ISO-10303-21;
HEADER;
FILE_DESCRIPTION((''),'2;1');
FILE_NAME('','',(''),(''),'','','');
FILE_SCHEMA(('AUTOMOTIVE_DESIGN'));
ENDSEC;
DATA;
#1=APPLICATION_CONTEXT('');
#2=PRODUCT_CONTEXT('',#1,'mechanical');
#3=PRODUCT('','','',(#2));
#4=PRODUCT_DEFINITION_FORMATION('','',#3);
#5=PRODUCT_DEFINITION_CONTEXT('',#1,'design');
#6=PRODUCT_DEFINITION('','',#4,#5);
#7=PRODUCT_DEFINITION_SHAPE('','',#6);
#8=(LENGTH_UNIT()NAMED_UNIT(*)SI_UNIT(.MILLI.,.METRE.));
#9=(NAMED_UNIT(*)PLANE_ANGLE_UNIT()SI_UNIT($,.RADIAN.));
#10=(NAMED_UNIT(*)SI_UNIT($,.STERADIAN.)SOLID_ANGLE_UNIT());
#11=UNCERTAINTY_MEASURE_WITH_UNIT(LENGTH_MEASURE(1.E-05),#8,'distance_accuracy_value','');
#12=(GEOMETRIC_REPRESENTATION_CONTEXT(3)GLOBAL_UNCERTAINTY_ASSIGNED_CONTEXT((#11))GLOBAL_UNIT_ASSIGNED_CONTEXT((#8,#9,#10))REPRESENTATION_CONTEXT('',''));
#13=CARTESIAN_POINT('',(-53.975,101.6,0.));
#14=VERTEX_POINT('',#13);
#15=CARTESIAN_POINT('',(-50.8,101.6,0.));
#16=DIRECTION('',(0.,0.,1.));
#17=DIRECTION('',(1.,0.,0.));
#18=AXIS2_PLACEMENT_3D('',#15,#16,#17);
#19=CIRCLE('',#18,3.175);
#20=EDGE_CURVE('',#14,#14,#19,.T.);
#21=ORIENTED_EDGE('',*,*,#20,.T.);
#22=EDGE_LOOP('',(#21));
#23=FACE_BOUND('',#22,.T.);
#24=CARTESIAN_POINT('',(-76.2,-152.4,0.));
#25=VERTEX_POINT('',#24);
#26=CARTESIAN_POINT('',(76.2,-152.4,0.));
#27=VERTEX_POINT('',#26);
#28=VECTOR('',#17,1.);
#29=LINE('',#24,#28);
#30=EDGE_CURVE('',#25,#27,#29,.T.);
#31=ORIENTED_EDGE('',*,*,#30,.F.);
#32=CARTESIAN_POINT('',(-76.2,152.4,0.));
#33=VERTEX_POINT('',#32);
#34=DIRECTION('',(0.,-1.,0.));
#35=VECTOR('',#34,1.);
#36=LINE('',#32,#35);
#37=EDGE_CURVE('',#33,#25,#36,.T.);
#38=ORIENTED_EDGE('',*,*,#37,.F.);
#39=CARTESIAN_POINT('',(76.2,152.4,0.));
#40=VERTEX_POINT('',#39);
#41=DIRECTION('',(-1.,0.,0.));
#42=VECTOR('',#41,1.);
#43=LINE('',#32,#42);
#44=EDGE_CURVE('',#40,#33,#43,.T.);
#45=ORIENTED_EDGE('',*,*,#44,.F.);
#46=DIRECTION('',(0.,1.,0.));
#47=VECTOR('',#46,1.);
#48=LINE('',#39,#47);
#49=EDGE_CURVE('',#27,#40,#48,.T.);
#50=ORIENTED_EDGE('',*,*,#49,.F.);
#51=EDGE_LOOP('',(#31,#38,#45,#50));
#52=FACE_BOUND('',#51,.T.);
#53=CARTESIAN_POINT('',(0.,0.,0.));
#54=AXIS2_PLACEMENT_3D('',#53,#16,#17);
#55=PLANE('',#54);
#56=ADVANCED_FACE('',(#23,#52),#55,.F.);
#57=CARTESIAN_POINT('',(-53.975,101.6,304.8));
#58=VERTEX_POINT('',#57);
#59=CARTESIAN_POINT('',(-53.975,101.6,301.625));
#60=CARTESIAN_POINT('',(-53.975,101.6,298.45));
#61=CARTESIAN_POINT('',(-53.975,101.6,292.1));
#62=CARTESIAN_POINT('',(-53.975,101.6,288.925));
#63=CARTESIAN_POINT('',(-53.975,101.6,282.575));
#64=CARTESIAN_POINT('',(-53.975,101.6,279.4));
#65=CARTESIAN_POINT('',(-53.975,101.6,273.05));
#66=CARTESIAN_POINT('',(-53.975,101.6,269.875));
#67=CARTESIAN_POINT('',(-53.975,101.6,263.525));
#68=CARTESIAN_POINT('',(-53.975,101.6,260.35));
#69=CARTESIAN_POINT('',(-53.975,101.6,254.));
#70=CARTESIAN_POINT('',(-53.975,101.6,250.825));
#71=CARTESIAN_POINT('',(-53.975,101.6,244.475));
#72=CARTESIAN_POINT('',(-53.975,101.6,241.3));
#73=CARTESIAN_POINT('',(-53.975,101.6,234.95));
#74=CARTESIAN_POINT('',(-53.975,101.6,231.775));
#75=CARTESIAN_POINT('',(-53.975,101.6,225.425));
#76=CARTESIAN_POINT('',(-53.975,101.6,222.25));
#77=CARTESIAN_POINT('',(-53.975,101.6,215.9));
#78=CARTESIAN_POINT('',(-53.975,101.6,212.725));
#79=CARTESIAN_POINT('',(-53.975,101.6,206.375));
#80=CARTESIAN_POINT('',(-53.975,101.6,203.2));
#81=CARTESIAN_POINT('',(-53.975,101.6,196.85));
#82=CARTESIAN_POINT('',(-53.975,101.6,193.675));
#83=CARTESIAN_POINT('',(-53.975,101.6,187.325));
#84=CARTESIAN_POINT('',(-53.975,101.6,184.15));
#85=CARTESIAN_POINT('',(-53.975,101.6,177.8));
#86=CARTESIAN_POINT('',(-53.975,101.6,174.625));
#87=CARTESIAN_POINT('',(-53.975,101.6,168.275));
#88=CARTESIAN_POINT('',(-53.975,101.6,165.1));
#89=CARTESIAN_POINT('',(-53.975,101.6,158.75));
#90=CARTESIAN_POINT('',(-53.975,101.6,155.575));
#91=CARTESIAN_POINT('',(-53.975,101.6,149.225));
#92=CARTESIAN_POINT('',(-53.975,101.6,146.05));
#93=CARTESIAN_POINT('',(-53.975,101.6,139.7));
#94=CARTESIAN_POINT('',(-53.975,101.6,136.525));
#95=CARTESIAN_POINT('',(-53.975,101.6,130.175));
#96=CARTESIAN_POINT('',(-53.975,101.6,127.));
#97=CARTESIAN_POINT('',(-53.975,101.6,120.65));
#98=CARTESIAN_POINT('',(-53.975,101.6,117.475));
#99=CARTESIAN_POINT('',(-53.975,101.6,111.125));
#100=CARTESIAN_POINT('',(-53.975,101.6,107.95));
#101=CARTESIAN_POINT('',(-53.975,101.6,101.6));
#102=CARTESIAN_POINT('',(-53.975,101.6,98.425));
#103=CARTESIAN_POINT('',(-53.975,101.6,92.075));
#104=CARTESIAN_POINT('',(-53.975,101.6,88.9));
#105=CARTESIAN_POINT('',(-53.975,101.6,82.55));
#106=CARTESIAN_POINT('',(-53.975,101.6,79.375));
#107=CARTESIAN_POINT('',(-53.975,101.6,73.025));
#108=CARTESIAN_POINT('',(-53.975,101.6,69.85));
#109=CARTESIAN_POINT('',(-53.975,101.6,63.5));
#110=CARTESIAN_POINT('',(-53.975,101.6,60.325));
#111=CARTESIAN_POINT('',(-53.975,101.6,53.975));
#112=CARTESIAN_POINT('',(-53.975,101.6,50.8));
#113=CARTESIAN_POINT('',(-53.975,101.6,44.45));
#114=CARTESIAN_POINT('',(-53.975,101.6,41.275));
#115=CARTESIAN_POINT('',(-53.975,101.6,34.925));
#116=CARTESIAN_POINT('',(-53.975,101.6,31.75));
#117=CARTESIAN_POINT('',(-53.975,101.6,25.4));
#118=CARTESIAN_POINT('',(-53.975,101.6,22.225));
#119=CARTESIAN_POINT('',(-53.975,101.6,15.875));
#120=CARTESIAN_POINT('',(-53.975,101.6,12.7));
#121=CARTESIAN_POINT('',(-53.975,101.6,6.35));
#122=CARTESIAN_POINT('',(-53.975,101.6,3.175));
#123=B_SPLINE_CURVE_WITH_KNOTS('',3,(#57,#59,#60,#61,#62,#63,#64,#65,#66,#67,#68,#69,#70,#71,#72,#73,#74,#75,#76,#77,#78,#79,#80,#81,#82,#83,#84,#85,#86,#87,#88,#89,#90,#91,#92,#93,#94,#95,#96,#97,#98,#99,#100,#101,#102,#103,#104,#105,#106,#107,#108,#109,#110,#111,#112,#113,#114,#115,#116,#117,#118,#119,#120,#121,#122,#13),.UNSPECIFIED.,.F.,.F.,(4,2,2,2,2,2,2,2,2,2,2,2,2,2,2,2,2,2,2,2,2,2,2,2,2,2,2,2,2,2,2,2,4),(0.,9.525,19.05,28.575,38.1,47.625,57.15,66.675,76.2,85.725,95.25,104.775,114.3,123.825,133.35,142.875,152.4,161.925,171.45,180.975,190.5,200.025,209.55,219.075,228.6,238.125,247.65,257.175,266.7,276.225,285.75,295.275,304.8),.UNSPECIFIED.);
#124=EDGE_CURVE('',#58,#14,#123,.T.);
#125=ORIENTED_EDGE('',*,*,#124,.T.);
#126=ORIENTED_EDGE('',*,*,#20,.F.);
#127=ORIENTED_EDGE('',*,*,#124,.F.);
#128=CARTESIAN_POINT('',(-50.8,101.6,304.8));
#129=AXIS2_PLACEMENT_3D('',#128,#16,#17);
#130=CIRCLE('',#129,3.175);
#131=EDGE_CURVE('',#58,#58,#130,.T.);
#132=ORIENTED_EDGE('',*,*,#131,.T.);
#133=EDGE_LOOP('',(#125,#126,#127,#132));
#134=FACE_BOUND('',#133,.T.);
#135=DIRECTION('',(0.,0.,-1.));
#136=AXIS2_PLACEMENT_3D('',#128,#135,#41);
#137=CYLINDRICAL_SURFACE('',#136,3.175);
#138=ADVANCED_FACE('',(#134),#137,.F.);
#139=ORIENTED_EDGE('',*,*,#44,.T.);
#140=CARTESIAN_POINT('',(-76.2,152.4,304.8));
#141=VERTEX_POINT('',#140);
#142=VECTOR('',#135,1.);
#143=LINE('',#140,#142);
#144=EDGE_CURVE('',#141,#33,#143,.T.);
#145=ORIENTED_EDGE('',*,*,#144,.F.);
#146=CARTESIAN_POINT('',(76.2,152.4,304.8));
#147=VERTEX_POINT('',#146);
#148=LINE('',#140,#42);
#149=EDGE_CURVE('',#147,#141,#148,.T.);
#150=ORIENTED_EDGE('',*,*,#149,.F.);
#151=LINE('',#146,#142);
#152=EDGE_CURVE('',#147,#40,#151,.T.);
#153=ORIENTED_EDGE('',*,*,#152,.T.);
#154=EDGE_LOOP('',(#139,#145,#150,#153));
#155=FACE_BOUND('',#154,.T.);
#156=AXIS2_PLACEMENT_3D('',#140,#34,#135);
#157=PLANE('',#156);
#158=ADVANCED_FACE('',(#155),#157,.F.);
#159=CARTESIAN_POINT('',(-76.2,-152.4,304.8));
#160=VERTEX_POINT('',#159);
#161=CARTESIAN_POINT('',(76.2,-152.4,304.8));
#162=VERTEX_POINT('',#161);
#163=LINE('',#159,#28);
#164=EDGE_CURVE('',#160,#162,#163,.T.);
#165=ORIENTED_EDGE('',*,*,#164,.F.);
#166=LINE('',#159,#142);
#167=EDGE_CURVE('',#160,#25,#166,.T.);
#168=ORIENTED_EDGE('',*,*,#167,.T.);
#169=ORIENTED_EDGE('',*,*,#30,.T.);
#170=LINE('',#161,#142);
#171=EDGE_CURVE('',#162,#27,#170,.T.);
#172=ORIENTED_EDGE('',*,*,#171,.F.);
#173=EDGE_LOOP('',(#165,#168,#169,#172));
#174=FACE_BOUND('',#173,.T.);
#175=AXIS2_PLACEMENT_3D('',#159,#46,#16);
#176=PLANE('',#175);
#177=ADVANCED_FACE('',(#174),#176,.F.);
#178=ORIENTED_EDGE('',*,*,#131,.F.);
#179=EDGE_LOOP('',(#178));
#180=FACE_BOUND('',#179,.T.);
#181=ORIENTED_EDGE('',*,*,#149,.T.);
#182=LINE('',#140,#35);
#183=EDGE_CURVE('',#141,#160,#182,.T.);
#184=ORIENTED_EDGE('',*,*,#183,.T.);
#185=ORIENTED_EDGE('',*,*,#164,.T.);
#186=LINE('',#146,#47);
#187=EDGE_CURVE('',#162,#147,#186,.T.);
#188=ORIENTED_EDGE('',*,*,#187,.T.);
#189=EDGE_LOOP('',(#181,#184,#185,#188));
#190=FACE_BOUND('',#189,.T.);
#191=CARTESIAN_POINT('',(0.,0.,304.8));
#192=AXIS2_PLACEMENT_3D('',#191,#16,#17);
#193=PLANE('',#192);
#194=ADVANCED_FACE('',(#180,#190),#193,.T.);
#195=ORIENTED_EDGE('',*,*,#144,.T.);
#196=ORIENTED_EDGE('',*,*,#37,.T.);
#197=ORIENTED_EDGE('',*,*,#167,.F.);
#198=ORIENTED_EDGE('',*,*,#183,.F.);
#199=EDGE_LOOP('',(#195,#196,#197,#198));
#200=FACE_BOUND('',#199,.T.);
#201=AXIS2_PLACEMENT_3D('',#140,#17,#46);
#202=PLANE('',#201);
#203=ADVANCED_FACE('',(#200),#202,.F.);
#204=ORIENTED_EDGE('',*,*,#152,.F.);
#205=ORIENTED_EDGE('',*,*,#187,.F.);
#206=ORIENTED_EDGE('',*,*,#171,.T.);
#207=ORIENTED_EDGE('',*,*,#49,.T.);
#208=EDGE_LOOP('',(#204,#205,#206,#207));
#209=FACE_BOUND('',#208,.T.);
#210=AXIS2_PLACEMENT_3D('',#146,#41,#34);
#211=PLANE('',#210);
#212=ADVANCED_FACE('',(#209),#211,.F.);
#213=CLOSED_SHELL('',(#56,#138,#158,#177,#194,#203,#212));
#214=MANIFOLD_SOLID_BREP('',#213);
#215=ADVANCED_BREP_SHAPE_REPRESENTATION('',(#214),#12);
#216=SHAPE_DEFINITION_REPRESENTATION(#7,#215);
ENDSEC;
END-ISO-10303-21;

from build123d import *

# Parameters (mm, degrees)
SKETCH1_W           = 152.4
SKETCH1_H           = 304.8
SKETCH1_R           = 3.175
BOSS_EXTRUDE1_DEPTH = 304.8


with BuildPart() as part:
    # Sketch1 → Boss-Extrude1 (new body)
    with BuildSketch(Plane.XY):
        Rectangle(SKETCH1_W, SKETCH1_H)
        with Locations(Location((-50.8, 101.6, 0), (0, 0, 180))):
            Circle(SKETCH1_R, mode=Mode.SUBTRACT)
    extrude(amount=BOSS_EXTRUDE1_DEPTH)


solid = part.part
